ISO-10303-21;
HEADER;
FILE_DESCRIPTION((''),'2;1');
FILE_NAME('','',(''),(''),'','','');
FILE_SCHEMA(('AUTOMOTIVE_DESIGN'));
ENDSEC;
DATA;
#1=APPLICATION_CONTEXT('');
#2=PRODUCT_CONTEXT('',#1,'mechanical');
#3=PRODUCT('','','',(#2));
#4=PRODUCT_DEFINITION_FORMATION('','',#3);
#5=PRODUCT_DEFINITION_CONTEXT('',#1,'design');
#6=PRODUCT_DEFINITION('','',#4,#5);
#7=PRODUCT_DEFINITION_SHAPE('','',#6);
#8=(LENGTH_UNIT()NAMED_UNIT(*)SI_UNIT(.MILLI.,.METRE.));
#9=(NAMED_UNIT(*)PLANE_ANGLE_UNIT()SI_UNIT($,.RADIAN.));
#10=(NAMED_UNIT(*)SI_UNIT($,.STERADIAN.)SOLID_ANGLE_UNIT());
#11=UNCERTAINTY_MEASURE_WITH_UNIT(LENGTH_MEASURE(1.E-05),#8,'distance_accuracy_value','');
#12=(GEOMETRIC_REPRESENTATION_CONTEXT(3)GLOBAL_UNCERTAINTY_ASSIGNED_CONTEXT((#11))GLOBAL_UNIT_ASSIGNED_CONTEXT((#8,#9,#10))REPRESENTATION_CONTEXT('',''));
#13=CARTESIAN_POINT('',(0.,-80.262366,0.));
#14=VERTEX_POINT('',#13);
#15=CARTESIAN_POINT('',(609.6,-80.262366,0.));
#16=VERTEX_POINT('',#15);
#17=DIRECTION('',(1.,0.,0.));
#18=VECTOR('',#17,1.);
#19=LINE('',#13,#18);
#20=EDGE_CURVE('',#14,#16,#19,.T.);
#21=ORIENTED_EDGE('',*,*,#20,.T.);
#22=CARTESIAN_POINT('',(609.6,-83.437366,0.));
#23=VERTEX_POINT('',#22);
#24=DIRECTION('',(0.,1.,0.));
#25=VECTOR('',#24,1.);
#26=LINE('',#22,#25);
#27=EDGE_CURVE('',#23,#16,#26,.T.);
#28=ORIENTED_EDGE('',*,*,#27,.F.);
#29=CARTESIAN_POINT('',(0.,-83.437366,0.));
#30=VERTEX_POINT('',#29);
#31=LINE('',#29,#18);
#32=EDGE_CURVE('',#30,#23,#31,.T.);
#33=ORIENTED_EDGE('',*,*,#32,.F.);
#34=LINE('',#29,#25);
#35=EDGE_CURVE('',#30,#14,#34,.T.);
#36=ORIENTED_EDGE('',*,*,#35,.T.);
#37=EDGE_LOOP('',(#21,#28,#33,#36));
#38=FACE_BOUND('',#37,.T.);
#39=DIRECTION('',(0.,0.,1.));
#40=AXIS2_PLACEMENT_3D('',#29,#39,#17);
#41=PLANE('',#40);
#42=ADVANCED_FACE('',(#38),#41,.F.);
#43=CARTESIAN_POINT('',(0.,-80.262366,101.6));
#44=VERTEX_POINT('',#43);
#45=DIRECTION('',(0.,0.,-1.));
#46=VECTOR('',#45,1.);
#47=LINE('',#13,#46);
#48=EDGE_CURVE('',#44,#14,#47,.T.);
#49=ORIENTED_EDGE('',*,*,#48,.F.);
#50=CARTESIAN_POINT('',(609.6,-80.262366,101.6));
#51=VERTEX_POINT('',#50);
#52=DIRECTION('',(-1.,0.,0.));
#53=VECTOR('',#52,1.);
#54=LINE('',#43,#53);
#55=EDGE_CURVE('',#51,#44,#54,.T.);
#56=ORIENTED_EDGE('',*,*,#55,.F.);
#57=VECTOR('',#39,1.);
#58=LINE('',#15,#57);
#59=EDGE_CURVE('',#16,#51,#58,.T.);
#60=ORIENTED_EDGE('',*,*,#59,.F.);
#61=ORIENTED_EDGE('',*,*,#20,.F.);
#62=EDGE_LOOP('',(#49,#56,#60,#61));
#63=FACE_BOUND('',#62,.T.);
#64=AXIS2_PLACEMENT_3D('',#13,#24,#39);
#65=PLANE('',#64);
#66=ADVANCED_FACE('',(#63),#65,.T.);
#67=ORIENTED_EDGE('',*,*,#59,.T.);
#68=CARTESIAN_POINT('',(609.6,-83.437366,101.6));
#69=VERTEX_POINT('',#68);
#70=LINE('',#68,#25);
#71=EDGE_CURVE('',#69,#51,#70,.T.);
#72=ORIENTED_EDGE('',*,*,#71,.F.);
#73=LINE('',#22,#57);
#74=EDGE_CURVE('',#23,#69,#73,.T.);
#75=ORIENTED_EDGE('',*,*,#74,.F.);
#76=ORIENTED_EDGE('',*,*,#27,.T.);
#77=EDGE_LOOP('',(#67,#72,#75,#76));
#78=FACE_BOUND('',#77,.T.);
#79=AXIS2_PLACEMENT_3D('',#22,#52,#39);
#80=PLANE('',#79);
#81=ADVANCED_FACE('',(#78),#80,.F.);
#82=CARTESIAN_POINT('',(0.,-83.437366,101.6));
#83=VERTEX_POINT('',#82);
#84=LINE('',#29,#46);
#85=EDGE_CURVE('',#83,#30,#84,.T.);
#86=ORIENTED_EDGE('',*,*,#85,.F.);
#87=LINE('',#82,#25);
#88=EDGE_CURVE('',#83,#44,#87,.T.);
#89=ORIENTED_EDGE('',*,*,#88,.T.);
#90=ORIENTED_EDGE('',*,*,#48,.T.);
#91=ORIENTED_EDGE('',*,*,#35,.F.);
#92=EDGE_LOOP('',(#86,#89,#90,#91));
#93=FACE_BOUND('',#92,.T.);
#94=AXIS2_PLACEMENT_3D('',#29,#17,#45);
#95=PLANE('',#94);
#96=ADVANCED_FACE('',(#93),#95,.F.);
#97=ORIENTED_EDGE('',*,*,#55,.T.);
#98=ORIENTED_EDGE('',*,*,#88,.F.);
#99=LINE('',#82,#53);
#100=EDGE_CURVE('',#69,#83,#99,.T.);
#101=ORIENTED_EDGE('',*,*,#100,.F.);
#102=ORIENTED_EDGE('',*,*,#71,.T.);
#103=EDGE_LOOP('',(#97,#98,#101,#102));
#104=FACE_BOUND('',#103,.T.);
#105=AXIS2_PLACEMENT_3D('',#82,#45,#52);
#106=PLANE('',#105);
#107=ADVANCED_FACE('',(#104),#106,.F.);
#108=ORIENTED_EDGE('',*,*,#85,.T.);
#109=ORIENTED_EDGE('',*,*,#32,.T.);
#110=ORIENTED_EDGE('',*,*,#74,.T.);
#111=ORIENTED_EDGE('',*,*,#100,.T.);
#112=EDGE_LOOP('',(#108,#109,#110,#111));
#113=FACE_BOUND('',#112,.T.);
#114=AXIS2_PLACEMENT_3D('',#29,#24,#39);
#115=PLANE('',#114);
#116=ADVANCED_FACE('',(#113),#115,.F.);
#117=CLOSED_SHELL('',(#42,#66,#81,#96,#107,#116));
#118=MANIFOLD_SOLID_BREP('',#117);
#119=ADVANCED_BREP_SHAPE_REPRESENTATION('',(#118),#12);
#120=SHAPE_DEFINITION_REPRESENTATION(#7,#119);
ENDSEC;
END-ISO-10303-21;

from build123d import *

# Parameters (mm, degrees)
SKETCH1_W           = 609.6
SKETCH1_H           = 101.6
BOSS_EXTRUDE1_DEPTH = 3.175


with BuildPart() as part:
    # Sketch1 → Boss-Extrude1 (new body)
    with BuildSketch(Plane.XZ.offset(80.26236602)):
        with Locations((304.8, 50.8)):
            Rectangle(SKETCH1_W, SKETCH1_H)
    extrude(amount=BOSS_EXTRUDE1_DEPTH)


solid = part.part
